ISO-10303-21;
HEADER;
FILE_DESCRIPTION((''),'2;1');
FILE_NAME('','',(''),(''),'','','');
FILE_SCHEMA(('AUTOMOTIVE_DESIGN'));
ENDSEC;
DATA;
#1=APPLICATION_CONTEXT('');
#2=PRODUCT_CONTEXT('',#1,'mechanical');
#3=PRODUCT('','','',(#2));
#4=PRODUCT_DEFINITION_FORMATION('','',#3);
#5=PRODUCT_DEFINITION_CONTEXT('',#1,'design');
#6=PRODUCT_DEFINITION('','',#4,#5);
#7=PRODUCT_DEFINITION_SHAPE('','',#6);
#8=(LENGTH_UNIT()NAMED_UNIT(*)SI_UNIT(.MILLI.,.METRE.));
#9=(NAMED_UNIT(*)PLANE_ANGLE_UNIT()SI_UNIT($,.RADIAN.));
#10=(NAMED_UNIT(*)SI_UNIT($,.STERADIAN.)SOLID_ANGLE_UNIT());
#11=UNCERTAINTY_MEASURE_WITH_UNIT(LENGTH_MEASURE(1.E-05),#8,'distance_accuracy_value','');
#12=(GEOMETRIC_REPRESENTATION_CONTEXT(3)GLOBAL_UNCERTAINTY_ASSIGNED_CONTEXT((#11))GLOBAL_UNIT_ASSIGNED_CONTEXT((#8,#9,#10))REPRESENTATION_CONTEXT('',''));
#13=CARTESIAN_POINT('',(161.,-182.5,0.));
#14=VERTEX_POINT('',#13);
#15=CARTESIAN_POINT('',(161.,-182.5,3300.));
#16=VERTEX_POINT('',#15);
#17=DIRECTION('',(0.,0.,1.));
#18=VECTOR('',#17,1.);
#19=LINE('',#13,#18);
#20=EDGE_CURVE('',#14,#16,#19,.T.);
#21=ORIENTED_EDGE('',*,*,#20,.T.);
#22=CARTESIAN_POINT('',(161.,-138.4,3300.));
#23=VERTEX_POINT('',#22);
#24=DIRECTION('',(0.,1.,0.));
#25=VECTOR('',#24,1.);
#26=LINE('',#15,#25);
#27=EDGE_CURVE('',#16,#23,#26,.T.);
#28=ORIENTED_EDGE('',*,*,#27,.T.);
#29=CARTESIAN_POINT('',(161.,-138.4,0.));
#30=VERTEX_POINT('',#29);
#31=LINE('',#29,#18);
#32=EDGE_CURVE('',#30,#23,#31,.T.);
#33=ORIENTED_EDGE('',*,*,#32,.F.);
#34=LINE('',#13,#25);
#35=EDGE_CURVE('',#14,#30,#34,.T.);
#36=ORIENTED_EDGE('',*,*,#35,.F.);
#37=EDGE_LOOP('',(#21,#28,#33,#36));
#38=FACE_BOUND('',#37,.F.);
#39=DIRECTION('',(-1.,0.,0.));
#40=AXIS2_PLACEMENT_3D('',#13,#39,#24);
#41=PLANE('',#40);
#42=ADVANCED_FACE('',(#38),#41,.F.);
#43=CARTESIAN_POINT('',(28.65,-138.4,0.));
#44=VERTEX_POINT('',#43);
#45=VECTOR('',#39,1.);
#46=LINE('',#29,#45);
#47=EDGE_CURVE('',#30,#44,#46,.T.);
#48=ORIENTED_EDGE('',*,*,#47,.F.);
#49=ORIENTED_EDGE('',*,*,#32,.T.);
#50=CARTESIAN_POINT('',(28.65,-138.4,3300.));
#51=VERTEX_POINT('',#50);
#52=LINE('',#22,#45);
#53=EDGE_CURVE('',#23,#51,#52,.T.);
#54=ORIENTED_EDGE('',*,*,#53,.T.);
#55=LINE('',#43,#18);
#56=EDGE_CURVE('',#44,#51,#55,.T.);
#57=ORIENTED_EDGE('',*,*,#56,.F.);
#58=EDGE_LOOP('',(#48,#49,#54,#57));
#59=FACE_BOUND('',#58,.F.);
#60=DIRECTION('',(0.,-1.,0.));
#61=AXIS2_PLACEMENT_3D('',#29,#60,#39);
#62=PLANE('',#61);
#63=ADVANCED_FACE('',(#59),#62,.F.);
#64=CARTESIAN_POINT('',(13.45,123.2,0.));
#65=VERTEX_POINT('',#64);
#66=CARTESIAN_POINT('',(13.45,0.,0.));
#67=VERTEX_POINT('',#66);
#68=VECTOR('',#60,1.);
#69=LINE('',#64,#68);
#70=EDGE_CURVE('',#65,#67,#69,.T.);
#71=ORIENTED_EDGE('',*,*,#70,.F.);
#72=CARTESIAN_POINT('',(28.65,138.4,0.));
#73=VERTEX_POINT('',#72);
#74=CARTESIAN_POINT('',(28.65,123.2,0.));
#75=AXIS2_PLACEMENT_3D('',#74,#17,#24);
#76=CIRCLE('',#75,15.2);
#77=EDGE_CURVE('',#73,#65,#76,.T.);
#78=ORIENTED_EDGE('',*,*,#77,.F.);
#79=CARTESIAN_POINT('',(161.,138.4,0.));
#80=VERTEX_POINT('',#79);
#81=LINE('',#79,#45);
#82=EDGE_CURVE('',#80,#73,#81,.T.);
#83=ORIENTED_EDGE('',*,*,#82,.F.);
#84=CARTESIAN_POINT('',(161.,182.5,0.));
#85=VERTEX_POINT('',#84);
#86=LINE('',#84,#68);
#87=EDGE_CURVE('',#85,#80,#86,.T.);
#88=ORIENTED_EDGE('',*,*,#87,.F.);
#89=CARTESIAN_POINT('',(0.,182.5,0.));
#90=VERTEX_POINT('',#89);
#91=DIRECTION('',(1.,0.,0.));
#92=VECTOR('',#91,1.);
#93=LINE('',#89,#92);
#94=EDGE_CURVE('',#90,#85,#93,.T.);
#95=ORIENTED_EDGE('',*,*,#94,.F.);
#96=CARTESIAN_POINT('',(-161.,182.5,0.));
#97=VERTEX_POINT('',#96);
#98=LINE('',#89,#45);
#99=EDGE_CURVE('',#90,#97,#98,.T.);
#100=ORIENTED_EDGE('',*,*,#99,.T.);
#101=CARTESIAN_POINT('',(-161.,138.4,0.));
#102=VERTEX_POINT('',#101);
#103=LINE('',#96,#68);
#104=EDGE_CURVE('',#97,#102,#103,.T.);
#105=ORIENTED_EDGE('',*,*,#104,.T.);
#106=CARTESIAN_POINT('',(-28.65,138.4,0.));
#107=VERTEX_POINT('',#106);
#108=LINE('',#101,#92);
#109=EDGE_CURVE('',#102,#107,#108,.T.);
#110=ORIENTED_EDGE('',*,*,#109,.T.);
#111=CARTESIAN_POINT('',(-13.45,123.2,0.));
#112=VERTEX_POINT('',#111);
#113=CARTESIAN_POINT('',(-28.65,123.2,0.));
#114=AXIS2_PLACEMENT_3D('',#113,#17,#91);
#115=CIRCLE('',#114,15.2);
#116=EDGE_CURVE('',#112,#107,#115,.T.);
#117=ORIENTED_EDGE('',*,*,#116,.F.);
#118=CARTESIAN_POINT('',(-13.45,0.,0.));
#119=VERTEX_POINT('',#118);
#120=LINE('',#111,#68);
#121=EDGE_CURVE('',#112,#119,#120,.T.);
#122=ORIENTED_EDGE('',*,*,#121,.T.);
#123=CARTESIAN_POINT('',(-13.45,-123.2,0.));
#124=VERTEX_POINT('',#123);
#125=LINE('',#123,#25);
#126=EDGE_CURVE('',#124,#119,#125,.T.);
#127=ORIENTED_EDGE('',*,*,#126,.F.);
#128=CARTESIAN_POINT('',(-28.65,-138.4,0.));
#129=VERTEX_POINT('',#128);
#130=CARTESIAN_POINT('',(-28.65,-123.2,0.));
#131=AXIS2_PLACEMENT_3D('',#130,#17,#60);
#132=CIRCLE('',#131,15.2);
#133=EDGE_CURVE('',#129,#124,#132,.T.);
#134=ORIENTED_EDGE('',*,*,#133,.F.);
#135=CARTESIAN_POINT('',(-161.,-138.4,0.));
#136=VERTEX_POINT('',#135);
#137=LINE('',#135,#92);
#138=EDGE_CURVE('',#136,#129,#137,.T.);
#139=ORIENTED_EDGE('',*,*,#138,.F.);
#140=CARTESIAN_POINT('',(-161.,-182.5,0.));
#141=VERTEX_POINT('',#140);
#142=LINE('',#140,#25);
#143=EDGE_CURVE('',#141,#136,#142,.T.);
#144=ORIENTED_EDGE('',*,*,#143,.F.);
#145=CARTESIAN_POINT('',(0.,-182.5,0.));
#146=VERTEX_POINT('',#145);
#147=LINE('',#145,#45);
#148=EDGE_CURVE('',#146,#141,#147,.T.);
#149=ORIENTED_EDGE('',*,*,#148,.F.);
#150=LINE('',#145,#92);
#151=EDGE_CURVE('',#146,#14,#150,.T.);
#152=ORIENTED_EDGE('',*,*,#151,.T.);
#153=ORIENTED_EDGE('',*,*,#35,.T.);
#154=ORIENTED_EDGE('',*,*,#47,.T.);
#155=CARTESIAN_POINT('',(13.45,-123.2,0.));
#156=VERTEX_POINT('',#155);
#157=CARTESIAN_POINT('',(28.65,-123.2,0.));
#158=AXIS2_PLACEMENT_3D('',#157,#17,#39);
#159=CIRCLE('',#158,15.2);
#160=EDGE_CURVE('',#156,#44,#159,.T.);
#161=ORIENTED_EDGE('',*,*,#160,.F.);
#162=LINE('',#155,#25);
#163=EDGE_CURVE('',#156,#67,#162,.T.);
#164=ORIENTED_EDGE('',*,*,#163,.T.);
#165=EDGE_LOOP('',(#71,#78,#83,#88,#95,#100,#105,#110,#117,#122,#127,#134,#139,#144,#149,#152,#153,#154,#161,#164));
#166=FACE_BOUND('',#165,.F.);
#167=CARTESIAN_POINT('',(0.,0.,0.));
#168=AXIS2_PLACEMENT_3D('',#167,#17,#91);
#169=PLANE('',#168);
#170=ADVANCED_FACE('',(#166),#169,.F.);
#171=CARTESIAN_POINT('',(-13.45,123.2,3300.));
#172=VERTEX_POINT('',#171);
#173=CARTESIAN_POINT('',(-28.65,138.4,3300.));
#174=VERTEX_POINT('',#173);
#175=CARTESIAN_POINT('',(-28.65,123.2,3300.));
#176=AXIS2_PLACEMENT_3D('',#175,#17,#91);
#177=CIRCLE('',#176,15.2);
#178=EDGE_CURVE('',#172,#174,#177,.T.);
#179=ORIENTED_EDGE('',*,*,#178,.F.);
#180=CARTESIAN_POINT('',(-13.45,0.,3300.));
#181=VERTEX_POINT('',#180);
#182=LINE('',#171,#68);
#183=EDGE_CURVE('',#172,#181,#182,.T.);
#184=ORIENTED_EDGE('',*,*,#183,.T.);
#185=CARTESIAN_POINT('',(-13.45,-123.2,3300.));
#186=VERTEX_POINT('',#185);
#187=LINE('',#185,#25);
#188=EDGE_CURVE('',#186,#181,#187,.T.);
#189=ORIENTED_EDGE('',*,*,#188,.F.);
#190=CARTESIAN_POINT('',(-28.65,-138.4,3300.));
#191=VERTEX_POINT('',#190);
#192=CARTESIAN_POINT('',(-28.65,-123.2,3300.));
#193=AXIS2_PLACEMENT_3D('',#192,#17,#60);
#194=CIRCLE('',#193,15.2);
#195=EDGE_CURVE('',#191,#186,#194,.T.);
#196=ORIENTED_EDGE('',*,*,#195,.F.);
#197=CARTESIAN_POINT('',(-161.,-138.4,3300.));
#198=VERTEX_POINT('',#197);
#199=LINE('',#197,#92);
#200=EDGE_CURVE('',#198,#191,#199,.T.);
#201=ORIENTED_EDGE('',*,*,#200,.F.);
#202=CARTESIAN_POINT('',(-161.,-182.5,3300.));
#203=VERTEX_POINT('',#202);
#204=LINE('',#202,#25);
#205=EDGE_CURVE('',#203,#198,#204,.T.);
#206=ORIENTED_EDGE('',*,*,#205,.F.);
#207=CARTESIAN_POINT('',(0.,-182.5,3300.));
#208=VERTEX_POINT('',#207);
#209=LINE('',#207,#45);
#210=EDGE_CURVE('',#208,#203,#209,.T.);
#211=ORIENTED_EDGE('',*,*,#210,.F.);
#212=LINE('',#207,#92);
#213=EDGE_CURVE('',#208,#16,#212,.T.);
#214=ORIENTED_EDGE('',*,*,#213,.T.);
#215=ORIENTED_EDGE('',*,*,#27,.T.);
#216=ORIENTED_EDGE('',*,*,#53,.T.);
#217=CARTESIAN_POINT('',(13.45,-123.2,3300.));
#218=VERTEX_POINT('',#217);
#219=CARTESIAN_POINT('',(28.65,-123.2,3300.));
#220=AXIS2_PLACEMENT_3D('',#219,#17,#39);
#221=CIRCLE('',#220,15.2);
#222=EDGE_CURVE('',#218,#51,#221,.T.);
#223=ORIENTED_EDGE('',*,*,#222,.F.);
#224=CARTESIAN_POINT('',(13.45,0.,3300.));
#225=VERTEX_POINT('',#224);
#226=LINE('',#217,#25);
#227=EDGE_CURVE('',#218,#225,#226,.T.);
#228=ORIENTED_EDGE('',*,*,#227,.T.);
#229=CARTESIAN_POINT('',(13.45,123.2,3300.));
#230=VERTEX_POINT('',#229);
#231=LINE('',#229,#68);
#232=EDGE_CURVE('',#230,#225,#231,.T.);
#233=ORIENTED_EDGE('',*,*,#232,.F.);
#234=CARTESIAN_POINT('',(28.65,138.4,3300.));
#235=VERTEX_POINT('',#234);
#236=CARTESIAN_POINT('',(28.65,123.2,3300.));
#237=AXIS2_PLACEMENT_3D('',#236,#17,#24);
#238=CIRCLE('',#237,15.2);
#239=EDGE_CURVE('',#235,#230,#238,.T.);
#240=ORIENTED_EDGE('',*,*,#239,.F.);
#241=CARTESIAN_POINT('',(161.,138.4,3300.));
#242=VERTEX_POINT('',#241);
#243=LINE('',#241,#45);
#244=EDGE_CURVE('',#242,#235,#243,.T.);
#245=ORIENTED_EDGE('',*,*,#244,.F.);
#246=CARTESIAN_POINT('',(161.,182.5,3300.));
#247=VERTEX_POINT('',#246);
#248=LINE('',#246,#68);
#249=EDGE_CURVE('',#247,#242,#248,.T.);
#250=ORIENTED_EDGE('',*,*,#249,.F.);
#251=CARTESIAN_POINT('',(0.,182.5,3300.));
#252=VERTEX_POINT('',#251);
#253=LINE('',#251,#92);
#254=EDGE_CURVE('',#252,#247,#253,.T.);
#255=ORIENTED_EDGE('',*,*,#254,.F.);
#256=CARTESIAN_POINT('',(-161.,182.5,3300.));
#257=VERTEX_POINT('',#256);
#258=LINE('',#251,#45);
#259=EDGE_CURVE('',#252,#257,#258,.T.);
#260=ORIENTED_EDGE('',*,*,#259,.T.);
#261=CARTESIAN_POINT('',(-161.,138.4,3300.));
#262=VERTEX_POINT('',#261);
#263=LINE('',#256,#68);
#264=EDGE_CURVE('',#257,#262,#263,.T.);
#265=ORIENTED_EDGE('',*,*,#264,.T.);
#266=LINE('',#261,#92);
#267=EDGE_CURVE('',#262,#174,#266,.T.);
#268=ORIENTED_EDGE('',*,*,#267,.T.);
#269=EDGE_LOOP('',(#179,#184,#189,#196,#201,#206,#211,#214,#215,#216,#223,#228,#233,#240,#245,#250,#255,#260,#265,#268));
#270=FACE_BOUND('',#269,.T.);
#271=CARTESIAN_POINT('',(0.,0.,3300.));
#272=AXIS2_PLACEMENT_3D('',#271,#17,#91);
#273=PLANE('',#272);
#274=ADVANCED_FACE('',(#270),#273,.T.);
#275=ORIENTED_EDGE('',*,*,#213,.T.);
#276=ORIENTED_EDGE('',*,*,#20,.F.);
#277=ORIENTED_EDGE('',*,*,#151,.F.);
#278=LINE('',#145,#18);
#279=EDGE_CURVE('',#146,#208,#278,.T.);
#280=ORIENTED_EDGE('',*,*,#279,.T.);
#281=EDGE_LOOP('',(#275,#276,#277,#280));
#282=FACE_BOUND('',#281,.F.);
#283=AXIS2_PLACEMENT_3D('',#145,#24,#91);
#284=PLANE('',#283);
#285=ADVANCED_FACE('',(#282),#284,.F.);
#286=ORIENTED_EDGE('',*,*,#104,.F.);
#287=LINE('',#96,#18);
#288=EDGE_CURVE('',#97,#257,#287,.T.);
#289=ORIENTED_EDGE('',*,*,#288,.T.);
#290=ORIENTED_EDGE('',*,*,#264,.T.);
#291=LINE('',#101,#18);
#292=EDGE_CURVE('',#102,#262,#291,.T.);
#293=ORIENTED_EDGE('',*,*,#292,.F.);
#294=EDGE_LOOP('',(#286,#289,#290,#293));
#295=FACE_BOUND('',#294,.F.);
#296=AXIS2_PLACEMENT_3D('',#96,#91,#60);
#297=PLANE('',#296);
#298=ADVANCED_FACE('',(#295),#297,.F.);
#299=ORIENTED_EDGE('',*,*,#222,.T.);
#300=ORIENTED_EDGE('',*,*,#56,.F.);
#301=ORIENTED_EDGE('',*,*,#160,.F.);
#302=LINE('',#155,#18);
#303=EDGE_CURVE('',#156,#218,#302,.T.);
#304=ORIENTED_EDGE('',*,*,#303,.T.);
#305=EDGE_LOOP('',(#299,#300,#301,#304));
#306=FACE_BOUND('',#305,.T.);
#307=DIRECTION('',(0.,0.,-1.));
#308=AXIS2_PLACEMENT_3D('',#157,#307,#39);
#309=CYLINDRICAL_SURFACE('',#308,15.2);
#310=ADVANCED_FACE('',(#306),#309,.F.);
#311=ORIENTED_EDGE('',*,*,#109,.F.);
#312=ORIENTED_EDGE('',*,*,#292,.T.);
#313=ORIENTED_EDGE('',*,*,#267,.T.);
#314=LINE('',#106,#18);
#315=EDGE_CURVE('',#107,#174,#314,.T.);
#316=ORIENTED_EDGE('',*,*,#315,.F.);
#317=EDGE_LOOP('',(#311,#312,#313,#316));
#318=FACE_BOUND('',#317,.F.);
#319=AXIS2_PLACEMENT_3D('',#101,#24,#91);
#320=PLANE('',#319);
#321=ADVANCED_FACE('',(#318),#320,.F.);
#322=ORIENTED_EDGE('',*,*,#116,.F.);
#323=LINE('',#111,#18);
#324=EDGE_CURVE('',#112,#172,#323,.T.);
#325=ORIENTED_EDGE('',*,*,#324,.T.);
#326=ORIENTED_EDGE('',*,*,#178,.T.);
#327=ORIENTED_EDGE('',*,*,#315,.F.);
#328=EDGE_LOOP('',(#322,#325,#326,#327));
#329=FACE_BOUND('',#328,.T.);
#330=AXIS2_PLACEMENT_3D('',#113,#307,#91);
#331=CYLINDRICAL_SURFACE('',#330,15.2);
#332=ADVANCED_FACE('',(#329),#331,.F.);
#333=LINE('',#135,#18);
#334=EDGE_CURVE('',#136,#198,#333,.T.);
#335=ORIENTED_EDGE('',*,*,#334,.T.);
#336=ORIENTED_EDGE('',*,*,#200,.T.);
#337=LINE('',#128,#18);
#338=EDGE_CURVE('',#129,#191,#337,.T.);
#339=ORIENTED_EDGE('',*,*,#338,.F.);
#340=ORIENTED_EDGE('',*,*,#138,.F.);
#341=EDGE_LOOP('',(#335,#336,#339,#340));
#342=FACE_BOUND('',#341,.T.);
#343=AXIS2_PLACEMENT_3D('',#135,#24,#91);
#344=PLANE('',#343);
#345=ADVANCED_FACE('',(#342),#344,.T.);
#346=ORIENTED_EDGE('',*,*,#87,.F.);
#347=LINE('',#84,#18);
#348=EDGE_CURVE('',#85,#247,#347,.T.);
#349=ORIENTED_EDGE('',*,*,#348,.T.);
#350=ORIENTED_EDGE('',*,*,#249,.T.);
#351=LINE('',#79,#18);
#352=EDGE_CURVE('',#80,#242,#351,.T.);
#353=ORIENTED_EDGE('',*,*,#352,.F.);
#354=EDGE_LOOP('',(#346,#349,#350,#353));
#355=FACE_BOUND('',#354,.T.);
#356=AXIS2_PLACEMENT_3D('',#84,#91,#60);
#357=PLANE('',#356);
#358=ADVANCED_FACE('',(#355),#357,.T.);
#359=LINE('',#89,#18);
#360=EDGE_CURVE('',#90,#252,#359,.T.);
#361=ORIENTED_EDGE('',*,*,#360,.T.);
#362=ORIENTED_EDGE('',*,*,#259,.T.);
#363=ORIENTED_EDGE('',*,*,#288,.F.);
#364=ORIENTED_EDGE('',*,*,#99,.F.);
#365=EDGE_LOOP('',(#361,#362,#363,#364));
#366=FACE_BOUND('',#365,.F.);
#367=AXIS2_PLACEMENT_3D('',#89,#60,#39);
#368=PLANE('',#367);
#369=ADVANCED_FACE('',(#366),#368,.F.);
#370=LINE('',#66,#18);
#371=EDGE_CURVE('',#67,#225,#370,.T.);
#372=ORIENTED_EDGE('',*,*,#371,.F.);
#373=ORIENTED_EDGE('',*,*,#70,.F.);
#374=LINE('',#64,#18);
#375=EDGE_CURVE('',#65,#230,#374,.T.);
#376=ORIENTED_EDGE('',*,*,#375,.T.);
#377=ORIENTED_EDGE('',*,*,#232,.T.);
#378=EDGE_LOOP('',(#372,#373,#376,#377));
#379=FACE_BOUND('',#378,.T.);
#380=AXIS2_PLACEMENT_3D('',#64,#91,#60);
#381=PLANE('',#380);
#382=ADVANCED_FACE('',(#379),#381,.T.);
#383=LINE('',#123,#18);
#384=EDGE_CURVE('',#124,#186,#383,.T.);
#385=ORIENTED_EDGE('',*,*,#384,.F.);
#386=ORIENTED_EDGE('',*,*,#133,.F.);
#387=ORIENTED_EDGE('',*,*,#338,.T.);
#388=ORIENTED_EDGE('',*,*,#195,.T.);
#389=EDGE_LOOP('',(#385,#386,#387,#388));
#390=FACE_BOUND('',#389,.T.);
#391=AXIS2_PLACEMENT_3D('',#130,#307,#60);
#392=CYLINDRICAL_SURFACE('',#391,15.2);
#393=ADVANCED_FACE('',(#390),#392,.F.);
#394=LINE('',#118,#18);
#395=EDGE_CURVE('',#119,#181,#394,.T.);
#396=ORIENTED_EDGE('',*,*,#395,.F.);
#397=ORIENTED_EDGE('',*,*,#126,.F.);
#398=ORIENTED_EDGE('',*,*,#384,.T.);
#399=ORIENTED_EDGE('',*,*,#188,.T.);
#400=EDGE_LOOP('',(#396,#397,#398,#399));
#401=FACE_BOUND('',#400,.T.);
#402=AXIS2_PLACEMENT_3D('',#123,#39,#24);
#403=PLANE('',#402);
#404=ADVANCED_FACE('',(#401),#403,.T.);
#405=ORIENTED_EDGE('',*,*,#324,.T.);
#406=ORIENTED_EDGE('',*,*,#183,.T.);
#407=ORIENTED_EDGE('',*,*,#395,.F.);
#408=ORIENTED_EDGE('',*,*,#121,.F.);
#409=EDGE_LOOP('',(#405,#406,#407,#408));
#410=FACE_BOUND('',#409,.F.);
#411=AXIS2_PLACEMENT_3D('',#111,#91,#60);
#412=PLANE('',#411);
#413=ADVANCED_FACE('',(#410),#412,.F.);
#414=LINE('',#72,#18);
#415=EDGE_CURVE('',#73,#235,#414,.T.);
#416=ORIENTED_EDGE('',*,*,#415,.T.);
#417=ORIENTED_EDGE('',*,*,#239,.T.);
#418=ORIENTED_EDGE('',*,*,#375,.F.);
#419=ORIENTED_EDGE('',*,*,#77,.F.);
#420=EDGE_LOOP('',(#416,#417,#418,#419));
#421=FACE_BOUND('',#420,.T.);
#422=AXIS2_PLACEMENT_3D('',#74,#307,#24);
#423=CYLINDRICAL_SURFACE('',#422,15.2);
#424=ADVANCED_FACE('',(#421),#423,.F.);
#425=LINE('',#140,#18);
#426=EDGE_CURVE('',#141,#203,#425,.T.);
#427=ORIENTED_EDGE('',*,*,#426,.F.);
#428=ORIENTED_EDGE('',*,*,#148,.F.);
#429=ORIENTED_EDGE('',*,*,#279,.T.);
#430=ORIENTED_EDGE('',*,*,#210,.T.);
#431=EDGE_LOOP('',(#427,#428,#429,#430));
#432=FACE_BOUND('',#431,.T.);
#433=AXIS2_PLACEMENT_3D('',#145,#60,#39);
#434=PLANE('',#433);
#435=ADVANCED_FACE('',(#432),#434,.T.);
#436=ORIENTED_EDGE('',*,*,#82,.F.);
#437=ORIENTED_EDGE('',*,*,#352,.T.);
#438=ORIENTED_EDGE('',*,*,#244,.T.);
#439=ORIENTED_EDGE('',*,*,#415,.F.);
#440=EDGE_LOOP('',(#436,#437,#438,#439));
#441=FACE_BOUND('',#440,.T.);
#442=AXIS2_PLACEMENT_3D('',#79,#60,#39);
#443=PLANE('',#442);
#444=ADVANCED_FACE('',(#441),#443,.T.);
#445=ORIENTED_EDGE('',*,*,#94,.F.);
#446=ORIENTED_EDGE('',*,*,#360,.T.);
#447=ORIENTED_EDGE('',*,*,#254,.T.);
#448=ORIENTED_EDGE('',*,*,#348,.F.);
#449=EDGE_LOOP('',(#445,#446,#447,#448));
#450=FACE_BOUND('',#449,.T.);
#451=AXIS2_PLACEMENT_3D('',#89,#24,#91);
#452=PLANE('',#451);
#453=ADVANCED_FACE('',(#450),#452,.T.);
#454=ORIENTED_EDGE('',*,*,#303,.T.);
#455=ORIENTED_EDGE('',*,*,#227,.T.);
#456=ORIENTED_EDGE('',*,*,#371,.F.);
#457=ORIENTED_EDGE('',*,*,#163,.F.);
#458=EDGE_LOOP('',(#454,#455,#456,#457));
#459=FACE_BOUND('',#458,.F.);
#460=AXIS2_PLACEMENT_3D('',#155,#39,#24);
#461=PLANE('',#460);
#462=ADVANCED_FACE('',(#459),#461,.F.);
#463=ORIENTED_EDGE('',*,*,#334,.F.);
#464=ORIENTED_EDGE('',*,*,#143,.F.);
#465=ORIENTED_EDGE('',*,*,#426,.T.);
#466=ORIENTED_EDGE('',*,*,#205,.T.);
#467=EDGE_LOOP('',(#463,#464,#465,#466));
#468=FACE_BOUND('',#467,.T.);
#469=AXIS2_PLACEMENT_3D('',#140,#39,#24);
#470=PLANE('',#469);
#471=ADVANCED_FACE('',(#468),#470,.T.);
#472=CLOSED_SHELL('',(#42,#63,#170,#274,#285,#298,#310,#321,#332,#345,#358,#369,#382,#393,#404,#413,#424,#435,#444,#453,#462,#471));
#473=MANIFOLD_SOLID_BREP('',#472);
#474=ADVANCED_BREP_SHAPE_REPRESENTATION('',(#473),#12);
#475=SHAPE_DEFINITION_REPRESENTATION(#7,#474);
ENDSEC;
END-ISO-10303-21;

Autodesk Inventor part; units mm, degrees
ref_plane "YZ Plane" through (0, 0, 0) normal (1, 0, 0) x (0, 1, 0)
ref_plane "Start plane" through (0, 0, 0) normal (0, 0, 1) x (1, 0, 0)
ref_plane "End plane" through (0, 0, 3300) normal (0, 0, 1) x (1, 0, 0)
sketch "Sketch" plane through (0, 0, 0) normal (0, 0, 1) x (1, 0, 0)
  line L0 (-161, -182.5) -> (-161, -138.4)
  line L1 (-161, -138.4) -> (-28.65, -138.4)
  line L2 (-13.45, -123.2) -> (-13.45, 0)
  line L3 (-13.45, 0) -> (0, 0) construction
  line L4 (0, 0) -> (0, -182.5) construction
  line L5 (0, -182.5) -> (-161, -182.5)
  line L6 (-60, 0) -> (80, 0) construction
  line L7 (0, -60) -> (0, 80) construction
  line L8 (161, -182.5) -> (161, -138.4)
  line L9 (161, -138.4) -> (28.65, -138.4)
  line L10 (13.45, -123.2) -> (13.45, 0)
  line L11 (13.45, 0) -> (0, 0) construction
  line L12 (0, -182.5) -> (161, -182.5)
  line L13 (-161, 182.5) -> (-161, 138.4)
  line L14 (-161, 138.4) -> (-28.65, 138.4)
  line L15 (-13.45, 123.2) -> (-13.45, 0)
  line L16 (0, 182.5) -> (-161, 182.5)
  line L17 (161, 182.5) -> (161, 138.4)
  line L18 (161, 138.4) -> (28.65, 138.4)
  line L19 (0, 182.5) -> (161, 182.5)
  line L20 (13.45, 123.2) -> (13.45, 0)
  arc A0 (-13.45, 123.2) -> (-28.65, 138.4) centre (-28.65, 123.2) ccw
  arc A1 (28.65, 138.4) -> (13.45, 123.2) centre (28.65, 123.2) ccw
  arc A2 (13.45, -123.2) -> (28.65, -138.4) centre (28.65, -123.2) ccw
  arc A3 (-28.65, -138.4) -> (-13.45, -123.2) centre (-28.65, -123.2) ccw
  line L21 (0, 108) -> (0, -88) construction
  line L22 (-88, 0) -> (108, 0) construction
  point P0 (-13.45, -138.4)
  point P1 (13.45, -138.4)
  point P2 (-13.45, 138.4)
  point P3 (13.45, 138.4)
  dimension "d1" = 182.5
  dimension "d2" = 44.1
  dimension "d3" = 161
  dimension "d4" = 13.45
  dimension "d10" = 15.2
extrude "Body" add sketch "Sketch" along normal up to surface (3300 mm away) from surface at 0
sketch "Sketch4" plane through (0, 0, 0) normal (0, 0, 1) x (1, 0, 0)
  line L0 (0, 0) -> (10, 0)
ref_plane "Work Plane3" through (0, 0, 0) normal (0, -1, 0) x (1, 0, 0)
sketch "Sketch5" plane through (0, 0, 0) normal (0, -1, 0) x (1, 0, 0)
  line L0 (-2, 0) -> (12, 0) projected
  line L1 (-2, 3300) -> (12, 3300) projected
  dimension "d14" = 3300
equation "\"d1\" = 0.5 * G_H"
equation "\"d2\" = G_T1"
equation "\"d3\" = 0.5 * G_W"
equation "\"d4\" = 0.5 * G_T"
equation "\"d10\" = G_IR"
equation "\"d5\" = G_L"
equation "\"G_W\" = 322"
equation "\"G_H\" = 365"
equation "\"G_T\" = 26.9"
equation "\"G_T1\" = 44.1"
equation "\"G_IR\" = 15.2"
equation "\"G_L\" = d14"
equation "\"G_OFFSET_START\" = 0"
equation "\"G_OFFSET_END\" = 0"
properties part number "AS 3679 - 310 UC - 283 - 3300" material "Steel, Mild"
